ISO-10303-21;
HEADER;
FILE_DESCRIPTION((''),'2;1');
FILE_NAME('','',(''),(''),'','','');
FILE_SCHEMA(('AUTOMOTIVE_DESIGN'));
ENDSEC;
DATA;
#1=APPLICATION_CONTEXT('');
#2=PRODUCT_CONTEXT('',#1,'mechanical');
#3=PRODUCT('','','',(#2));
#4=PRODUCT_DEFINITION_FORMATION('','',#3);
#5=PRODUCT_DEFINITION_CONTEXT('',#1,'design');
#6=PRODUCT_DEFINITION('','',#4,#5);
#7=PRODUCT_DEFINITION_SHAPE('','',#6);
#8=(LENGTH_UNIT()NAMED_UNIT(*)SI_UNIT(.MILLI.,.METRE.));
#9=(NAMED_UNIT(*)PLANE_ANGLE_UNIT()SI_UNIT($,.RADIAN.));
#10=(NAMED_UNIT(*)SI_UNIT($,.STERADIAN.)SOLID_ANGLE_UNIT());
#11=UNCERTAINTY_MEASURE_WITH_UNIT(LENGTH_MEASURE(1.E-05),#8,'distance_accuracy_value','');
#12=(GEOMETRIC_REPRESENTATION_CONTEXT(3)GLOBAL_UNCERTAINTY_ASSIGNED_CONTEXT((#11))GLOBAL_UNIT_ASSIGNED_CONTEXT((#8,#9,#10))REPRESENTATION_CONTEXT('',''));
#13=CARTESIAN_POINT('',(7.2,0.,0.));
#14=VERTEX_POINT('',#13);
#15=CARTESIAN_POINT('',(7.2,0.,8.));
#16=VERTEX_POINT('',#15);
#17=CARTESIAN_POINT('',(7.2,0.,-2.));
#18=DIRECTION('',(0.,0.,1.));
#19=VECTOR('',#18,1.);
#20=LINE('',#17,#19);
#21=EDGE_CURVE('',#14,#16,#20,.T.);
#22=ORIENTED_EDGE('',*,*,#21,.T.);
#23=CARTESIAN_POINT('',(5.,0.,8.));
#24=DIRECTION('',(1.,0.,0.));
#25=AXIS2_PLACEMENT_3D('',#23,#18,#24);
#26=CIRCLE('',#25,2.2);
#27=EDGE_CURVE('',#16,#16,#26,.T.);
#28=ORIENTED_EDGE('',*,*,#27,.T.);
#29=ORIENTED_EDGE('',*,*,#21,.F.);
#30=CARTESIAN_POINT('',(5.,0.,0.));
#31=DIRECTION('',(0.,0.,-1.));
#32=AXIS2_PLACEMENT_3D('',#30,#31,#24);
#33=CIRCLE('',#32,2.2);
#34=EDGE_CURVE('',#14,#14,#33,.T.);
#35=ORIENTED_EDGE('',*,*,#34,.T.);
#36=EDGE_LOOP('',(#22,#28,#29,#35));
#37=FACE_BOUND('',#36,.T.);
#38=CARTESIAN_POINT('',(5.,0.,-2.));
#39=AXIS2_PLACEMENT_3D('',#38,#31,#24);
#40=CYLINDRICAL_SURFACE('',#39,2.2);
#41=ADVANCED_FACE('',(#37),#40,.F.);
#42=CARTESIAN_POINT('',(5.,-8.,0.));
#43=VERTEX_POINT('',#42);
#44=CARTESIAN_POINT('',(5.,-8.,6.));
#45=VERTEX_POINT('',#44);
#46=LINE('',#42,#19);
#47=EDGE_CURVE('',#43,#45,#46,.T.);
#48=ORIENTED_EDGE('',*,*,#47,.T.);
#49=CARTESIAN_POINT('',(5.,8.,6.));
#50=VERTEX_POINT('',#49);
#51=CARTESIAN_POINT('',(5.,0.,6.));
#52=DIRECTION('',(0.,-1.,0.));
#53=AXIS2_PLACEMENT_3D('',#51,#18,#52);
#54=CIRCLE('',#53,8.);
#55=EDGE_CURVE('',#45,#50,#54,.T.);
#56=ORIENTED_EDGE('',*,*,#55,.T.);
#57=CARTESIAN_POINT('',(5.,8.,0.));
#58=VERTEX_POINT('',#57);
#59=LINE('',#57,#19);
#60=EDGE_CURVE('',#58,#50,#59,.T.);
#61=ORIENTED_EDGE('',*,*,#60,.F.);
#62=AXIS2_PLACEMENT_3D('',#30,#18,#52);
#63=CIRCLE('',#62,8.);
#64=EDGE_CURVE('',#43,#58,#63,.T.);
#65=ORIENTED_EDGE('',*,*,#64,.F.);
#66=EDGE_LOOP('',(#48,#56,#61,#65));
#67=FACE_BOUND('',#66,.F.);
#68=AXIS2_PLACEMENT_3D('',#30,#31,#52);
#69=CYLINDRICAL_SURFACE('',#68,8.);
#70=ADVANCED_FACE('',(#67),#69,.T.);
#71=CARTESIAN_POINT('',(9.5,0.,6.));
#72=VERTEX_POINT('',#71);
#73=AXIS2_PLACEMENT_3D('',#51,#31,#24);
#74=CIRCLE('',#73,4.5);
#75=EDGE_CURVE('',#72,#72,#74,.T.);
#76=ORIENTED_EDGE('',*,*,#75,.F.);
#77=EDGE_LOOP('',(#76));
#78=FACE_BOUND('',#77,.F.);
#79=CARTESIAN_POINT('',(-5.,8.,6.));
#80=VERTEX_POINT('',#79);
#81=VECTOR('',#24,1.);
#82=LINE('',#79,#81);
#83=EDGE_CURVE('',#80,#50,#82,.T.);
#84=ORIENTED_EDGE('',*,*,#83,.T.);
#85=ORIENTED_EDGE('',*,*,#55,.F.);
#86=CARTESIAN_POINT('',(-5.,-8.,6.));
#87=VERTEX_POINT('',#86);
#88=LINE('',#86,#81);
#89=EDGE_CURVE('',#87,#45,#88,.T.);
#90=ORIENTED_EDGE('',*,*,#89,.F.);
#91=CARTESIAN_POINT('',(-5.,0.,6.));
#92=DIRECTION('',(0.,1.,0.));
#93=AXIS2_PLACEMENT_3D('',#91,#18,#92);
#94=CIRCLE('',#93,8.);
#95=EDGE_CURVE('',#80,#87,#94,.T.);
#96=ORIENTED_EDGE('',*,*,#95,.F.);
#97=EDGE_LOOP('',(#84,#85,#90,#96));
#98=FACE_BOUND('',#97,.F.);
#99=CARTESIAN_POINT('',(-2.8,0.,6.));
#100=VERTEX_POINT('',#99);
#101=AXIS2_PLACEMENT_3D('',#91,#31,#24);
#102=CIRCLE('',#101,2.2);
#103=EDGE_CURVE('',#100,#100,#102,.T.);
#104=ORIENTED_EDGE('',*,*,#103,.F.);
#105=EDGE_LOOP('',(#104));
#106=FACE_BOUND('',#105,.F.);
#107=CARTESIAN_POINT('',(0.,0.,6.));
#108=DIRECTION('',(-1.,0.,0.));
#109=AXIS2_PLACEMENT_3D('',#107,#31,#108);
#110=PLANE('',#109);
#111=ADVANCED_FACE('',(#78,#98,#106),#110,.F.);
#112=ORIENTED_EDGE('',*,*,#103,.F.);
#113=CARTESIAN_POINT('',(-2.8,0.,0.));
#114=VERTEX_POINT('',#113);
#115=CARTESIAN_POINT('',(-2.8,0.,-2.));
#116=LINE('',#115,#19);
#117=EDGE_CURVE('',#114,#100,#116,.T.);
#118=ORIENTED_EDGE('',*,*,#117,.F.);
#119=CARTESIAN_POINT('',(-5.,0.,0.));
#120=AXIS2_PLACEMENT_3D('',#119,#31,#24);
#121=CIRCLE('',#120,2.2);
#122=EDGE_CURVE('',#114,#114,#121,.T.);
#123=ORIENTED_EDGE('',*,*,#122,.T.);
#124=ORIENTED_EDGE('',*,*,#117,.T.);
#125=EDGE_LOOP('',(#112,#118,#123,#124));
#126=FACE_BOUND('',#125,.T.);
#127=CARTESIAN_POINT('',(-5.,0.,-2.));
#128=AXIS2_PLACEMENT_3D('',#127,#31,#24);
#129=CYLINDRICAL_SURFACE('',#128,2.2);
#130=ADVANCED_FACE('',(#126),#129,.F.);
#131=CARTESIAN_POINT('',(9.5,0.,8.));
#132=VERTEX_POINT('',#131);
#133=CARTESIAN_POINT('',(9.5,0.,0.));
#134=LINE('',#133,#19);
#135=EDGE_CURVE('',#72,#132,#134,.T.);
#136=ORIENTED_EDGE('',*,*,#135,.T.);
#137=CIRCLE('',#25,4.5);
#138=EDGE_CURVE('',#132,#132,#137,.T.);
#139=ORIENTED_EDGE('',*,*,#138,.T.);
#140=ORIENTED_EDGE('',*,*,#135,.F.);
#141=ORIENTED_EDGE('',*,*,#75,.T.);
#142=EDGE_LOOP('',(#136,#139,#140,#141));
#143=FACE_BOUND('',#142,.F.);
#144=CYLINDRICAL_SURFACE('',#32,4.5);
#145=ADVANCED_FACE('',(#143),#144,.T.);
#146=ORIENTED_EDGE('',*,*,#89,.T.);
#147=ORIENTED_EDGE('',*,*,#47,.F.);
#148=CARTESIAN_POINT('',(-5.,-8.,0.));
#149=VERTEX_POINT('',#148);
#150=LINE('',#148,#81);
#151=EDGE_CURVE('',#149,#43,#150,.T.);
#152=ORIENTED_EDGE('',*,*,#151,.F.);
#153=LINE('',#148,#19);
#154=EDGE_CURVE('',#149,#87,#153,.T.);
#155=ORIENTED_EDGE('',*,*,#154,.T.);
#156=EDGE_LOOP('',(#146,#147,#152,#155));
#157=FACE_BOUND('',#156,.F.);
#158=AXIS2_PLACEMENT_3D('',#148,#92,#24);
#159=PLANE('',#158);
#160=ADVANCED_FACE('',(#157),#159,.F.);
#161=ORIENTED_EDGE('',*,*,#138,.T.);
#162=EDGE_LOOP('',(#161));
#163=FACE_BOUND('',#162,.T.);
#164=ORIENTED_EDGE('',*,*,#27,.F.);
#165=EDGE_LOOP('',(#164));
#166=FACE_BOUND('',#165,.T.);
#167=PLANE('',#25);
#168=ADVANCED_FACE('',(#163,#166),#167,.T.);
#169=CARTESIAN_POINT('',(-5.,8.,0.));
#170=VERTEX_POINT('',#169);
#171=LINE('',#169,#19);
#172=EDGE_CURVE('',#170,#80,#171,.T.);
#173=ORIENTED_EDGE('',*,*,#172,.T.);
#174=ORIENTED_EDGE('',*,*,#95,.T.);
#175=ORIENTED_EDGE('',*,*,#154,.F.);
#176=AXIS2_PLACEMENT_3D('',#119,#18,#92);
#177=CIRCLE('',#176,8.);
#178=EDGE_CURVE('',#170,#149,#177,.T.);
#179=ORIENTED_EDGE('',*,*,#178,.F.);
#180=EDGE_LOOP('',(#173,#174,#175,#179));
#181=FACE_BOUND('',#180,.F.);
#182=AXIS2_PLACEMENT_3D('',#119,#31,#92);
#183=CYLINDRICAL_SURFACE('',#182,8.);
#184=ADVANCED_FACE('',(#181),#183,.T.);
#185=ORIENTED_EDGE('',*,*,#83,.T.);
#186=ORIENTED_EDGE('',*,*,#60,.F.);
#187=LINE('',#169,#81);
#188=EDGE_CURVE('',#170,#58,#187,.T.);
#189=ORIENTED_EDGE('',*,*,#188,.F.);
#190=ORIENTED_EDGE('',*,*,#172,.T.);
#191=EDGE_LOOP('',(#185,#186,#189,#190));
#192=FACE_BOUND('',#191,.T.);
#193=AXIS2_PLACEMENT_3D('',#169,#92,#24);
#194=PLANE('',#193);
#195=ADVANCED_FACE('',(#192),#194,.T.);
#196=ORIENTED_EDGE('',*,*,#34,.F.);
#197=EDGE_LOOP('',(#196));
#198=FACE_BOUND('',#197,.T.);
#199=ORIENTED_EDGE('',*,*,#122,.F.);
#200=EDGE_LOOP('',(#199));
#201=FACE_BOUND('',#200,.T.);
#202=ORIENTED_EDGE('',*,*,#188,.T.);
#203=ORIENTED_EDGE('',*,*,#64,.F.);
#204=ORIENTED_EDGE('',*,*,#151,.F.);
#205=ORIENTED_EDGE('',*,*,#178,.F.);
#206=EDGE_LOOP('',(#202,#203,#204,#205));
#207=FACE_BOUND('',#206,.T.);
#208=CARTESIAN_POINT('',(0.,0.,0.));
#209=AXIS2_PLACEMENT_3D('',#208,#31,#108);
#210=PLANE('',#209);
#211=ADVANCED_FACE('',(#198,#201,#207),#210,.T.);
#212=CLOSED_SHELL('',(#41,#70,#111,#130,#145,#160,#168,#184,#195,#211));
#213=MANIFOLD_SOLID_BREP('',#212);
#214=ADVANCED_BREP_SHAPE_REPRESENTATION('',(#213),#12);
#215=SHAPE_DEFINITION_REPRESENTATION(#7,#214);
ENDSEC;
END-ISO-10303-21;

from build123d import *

# Parameters (mm, degrees)
CYLINDER011_R     = 2.2
CYLINDER011_DEPTH = 10
CYLINDER012_R     = 2.2
CYLINDER012_DEPTH = 10
PAD015_DEPTH      = 6
CYLINDER013_R     = 4.5
CYLINDER013_DEPTH = 8


with BuildPart() as inserter_hole:
    # Cylinder011 → Cylinder011 (new body)
    with BuildSketch(Plane(origin=(5, 0, -2), x_dir=(1, 0, 0), z_dir=(0, 0, 1))):
        Circle(CYLINDER011_R)
    extrude(amount=CYLINDER011_DEPTH)


with BuildPart() as double_hole_fusion:
    # Cylinder012 → Cylinder012 (new body)
    with BuildSketch(Plane(origin=(-5, 0, -2), x_dir=(1, 0, 0), z_dir=(0, 0, 1))):
        Circle(CYLINDER012_R)
    extrude(amount=CYLINDER012_DEPTH)

    # Fusion010: union inserter hole
    add(inserter_hole.part)


with BuildPart() as body016:
    # Sketch016 → Pad015 (new body)
    with BuildSketch(Plane.XY):
        with BuildLine():
            Line((-5, 8), (5, 8))
            ThreePointArc((5, -8), (13, 0), (5, 8))
            Line((-5, -8), (5, -8))
            ThreePointArc((-5, 8), (-13, 0), (-5, -8))
        make_face()
    extrude(amount=PAD015_DEPTH)


with BuildPart() as simple_idle_linkage_cut:
    # Cylinder013 → Cylinder013 (new body)
    with BuildSketch(Plane(origin=(5, 0, 0), x_dir=(1, 0, 0), z_dir=(0, 0, 1))):
        Circle(CYLINDER013_R)
    extrude(amount=CYLINDER013_DEPTH)

    # Fusion011: union Body016
    add(body016.part)

    # Cut004: cut double hole fusion
    add(double_hole_fusion.part, mode=Mode.SUBTRACT)


solid = simple_idle_linkage_cut.part
